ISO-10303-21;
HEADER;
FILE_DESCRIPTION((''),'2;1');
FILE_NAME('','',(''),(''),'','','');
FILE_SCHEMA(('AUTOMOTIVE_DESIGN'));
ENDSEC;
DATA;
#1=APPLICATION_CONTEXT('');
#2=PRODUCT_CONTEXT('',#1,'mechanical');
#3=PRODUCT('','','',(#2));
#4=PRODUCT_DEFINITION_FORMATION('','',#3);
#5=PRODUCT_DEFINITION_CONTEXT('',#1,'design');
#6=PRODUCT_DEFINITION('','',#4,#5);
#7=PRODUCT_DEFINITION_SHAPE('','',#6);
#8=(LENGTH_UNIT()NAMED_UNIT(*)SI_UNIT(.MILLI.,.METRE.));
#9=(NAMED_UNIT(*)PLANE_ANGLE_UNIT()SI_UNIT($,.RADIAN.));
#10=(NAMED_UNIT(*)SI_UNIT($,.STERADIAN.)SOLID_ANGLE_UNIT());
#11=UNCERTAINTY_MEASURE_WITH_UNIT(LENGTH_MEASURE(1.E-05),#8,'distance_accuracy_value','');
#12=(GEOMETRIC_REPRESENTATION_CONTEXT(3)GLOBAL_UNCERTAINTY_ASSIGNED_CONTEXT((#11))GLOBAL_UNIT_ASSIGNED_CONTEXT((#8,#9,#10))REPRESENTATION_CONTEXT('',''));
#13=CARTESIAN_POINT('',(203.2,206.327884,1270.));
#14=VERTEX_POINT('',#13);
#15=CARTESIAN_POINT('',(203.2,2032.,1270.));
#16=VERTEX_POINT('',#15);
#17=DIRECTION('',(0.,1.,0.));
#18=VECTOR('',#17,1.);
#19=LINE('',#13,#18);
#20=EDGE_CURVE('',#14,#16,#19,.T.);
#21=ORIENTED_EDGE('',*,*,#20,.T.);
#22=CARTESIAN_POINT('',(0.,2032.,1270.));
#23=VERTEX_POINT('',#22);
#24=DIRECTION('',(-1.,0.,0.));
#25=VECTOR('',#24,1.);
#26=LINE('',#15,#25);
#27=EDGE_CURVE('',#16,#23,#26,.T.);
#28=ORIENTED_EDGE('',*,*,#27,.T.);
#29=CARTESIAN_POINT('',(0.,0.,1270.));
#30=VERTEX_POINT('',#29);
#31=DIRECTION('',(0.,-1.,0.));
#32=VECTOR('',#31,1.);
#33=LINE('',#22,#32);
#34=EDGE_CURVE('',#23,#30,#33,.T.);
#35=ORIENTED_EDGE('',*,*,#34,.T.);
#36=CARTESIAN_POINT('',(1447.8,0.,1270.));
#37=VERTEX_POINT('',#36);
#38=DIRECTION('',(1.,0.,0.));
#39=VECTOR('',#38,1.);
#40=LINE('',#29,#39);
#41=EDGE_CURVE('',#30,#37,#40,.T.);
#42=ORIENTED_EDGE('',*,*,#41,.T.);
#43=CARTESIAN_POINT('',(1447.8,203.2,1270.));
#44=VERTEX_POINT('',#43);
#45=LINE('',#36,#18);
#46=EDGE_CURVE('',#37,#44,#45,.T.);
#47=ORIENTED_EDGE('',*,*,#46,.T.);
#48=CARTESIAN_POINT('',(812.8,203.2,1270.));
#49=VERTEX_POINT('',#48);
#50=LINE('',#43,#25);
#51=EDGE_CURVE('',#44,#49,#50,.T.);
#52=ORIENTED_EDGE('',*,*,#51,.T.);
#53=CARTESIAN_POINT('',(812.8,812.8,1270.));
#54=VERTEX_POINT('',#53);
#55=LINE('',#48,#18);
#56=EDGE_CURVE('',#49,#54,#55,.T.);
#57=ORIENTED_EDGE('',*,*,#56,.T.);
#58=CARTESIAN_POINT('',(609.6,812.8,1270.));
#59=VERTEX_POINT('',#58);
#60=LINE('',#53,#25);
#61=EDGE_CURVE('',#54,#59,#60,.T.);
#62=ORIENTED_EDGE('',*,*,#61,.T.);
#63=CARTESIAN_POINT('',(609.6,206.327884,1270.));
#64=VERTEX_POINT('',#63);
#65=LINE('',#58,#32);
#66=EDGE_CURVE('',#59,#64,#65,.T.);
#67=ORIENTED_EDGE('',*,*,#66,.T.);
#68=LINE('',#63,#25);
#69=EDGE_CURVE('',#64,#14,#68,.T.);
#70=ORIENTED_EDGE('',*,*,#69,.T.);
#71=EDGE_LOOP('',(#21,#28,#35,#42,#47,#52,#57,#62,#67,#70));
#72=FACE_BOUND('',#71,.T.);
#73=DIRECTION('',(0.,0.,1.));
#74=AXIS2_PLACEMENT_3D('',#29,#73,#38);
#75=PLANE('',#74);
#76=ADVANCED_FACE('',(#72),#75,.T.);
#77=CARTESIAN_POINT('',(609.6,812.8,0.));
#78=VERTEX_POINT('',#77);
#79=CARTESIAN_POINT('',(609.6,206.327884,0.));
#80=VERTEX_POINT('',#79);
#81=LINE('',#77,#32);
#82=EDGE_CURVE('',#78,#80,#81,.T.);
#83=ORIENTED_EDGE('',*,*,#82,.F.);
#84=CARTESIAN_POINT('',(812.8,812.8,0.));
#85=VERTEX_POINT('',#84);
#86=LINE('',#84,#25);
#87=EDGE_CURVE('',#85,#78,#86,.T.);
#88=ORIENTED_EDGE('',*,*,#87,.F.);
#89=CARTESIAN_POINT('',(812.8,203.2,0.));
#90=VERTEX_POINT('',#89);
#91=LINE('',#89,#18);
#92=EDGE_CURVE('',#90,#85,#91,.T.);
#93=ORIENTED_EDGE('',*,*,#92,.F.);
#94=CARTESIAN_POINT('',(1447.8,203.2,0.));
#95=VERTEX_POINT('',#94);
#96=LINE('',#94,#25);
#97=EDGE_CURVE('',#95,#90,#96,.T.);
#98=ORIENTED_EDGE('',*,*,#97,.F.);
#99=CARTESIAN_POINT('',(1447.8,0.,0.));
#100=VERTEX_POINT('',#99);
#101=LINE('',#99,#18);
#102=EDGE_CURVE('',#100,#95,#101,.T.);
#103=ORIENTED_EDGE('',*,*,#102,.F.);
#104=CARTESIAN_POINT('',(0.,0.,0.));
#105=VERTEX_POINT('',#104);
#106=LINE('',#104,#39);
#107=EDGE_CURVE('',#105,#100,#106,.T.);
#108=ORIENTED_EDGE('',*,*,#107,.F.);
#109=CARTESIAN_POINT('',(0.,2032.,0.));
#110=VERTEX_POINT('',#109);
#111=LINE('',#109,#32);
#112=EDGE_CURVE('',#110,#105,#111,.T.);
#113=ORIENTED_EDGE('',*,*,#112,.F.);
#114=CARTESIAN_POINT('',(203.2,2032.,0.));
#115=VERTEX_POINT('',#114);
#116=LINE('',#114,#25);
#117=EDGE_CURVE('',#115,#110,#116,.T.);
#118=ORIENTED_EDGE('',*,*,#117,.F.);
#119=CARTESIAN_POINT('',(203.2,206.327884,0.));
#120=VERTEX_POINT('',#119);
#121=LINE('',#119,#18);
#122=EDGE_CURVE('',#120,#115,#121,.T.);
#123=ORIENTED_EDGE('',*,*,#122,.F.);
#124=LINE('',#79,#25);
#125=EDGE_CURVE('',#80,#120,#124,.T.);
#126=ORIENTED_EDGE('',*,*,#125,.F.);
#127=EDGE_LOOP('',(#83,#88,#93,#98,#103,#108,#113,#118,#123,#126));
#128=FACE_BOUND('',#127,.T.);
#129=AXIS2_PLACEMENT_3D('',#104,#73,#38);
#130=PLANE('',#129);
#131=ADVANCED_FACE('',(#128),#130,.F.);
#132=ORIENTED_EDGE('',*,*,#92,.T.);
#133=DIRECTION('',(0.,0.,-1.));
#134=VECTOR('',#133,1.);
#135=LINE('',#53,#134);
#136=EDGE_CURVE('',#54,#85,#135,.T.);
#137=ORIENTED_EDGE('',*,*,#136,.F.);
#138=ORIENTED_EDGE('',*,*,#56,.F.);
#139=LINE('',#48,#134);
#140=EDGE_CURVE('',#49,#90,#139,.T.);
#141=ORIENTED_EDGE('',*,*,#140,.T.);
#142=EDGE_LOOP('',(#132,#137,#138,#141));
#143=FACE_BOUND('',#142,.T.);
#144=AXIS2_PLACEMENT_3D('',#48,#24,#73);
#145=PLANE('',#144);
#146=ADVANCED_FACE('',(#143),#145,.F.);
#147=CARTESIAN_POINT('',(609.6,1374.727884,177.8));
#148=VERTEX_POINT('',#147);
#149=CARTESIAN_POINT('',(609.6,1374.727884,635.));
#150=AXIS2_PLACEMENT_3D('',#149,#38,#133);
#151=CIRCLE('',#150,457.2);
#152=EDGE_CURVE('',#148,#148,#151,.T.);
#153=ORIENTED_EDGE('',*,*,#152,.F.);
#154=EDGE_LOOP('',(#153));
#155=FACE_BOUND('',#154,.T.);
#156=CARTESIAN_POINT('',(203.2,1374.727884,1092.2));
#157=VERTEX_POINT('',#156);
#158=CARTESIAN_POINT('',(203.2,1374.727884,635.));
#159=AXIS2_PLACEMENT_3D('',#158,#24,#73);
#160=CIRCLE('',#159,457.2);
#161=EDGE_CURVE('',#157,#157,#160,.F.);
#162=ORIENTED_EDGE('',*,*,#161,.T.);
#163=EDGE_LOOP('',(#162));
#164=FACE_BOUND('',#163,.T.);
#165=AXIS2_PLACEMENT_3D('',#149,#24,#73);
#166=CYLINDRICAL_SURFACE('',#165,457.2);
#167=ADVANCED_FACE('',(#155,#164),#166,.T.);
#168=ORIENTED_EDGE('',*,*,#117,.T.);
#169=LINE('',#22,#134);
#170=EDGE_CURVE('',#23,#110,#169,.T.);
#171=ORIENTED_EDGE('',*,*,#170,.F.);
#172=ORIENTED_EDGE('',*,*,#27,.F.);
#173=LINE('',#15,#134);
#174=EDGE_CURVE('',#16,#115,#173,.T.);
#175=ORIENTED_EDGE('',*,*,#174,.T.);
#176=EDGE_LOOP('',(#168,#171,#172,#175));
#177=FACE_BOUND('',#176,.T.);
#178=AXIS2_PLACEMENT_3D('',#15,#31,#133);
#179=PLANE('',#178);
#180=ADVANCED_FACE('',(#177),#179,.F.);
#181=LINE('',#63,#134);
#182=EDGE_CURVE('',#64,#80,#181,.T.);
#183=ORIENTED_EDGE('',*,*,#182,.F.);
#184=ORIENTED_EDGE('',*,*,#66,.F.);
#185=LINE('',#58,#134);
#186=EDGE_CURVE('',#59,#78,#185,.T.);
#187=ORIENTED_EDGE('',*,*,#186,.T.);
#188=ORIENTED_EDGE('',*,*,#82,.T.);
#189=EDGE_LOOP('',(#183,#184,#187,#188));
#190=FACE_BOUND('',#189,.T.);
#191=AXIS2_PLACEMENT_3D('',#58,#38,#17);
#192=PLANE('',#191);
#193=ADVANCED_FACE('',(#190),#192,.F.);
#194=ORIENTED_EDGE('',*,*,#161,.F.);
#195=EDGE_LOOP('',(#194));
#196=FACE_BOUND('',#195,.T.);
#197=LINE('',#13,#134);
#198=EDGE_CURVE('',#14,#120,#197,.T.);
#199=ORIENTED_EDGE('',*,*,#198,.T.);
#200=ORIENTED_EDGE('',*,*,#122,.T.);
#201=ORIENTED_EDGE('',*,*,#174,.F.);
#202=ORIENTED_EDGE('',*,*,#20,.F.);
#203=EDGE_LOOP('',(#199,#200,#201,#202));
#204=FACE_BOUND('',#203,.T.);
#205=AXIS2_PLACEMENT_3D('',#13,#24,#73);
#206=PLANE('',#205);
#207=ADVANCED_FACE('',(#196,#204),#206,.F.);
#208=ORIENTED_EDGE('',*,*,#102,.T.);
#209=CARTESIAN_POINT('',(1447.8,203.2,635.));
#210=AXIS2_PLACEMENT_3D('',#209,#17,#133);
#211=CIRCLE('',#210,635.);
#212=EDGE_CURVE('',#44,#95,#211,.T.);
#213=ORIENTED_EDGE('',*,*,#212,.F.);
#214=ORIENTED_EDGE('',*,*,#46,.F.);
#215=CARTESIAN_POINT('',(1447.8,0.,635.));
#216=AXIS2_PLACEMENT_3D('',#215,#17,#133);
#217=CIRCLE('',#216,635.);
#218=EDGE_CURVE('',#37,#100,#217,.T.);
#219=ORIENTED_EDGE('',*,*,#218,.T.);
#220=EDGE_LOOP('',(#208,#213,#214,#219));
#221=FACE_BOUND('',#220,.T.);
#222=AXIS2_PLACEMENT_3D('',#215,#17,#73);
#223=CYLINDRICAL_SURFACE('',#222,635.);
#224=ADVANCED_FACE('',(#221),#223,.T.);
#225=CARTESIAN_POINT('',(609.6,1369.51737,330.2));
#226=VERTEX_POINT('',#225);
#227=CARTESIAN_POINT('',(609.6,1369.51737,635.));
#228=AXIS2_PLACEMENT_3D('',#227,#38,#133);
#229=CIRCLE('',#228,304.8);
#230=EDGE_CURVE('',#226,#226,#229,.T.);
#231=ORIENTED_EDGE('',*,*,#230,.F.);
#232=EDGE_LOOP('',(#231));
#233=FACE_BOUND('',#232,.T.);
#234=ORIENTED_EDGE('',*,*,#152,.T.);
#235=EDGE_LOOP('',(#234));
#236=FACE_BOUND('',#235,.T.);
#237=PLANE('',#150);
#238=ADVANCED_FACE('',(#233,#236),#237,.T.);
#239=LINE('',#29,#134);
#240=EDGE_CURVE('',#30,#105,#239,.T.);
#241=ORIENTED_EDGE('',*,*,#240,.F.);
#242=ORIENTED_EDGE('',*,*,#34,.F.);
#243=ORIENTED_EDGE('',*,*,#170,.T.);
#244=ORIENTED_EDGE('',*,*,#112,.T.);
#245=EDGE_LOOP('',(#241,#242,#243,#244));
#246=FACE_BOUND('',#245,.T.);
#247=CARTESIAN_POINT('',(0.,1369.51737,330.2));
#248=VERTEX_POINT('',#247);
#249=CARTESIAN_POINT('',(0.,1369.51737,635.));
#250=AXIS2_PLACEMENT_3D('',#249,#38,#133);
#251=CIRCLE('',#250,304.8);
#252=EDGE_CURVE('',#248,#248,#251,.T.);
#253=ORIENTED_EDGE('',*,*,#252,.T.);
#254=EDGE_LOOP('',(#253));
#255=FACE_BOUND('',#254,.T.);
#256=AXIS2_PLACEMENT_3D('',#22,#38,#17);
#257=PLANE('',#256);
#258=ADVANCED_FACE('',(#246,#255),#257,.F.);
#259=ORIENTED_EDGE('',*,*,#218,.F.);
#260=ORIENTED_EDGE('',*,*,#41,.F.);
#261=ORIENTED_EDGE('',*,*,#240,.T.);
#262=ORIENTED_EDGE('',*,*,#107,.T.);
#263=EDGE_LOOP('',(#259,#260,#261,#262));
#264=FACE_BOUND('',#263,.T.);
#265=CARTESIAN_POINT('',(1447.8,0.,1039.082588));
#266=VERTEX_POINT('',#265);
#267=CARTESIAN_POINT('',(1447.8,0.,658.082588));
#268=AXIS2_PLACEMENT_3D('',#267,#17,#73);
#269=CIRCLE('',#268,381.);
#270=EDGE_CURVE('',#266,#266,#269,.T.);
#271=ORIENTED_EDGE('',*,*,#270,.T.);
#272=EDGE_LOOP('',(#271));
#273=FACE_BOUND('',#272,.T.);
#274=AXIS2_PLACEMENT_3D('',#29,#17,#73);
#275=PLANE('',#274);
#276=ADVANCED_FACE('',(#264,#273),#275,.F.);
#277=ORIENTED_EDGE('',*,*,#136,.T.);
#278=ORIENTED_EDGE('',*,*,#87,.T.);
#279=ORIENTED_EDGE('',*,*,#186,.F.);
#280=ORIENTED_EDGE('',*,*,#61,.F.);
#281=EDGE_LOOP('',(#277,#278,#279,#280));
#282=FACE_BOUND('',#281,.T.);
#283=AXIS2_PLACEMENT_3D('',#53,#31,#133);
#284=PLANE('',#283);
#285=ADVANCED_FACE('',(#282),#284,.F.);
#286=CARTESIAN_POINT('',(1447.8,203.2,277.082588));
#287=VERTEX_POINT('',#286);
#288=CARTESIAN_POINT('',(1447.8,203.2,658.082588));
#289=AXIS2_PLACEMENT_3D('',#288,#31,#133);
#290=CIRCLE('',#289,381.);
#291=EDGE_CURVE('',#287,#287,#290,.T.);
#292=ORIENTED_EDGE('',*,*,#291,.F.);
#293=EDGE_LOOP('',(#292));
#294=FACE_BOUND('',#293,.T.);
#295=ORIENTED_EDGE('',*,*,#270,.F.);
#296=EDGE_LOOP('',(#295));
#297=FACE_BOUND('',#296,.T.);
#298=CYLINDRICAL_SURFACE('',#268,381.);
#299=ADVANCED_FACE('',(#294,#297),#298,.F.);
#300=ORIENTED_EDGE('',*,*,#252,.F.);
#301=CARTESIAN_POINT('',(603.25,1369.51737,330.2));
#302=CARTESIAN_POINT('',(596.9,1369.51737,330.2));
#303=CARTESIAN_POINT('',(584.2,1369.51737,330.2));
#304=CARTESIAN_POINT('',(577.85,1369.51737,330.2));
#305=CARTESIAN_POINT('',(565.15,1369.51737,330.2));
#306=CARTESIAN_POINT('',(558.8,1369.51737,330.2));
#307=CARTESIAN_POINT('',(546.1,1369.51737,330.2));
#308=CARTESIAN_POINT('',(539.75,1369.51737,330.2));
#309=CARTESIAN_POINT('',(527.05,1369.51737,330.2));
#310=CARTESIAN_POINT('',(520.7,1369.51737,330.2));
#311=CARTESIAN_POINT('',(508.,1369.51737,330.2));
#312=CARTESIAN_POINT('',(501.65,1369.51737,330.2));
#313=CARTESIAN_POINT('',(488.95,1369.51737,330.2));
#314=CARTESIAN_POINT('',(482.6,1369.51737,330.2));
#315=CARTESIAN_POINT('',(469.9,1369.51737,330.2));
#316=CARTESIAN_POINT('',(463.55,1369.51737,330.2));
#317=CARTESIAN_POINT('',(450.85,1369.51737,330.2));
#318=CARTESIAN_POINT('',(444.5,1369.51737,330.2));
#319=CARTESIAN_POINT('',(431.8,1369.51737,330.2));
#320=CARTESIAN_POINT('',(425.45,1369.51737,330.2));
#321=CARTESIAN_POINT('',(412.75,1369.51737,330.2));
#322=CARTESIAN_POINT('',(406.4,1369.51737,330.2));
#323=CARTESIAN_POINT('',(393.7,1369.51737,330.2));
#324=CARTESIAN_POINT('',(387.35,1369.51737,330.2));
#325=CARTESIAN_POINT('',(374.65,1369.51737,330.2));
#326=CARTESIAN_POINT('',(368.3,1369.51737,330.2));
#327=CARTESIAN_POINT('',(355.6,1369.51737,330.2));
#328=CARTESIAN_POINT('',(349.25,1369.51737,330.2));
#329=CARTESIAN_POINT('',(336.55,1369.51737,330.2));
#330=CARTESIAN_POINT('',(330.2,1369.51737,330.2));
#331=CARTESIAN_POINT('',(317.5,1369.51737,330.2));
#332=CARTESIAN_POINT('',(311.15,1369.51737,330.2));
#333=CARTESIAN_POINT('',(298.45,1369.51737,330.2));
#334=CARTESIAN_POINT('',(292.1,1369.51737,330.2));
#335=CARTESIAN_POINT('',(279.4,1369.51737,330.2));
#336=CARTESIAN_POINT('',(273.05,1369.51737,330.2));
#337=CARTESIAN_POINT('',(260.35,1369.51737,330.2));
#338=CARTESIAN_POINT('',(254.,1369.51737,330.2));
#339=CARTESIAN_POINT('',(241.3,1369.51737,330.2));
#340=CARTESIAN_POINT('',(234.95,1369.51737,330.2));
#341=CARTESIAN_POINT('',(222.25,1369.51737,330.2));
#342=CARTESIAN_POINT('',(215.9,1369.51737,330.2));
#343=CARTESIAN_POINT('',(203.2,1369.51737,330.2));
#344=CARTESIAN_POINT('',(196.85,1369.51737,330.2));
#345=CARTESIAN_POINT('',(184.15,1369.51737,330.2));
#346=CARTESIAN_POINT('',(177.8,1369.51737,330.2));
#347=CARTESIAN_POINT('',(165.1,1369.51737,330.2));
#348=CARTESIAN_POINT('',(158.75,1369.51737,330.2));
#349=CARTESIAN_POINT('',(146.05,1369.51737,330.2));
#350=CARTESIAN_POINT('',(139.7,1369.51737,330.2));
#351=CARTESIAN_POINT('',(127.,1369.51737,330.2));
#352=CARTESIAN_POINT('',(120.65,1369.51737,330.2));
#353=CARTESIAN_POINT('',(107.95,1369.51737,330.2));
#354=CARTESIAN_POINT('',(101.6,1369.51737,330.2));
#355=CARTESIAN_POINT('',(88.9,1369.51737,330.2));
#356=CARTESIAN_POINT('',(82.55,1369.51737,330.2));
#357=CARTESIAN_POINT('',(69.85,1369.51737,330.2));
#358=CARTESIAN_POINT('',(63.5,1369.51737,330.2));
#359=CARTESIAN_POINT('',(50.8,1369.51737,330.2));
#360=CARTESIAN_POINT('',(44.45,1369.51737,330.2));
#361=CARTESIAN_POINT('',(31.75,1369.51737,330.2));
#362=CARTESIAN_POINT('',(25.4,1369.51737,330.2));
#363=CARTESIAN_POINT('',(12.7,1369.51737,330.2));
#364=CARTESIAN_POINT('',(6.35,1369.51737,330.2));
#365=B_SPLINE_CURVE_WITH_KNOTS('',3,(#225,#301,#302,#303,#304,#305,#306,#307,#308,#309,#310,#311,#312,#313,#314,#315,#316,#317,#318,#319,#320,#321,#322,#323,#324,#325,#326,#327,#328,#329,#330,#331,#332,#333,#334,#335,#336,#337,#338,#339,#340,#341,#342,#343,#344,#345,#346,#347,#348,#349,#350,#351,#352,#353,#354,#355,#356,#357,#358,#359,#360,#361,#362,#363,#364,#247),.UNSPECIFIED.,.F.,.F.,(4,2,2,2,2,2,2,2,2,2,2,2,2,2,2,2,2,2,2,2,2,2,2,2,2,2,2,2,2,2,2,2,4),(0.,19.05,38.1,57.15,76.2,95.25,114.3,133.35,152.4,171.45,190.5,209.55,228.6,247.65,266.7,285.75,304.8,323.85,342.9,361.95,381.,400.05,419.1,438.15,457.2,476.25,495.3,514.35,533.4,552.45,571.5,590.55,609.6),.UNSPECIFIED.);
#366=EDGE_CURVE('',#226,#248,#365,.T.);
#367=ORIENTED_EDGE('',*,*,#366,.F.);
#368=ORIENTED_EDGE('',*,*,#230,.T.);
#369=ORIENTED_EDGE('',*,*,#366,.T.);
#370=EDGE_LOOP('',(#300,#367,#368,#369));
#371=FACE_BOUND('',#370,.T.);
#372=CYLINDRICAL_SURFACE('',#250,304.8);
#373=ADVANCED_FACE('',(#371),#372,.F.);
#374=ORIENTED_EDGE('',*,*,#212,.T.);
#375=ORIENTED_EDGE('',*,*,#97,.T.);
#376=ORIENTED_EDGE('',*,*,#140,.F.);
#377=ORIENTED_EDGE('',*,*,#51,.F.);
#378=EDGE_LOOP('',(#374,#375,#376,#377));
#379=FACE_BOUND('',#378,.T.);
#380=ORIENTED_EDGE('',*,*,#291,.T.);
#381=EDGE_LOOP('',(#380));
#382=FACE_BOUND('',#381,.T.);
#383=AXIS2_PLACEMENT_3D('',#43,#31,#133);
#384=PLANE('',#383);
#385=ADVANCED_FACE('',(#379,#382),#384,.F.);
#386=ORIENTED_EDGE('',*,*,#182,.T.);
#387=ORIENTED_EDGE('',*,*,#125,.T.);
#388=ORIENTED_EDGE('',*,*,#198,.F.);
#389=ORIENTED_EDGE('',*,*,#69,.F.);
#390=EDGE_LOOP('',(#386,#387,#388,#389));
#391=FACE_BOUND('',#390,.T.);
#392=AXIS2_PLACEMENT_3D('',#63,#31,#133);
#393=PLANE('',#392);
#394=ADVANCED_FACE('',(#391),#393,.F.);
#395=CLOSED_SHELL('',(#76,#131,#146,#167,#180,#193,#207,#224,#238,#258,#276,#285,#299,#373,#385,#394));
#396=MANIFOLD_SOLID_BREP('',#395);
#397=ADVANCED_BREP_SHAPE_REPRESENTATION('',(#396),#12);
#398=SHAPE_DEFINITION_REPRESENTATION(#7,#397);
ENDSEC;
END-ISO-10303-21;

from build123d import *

# Parameters (mm, degrees)
Y_KSEKLIK_EKSTR_ZYON1_DEPTH = 1270
Y_KSEKLIK_EKSTR_ZYON2_DEPTH = 203.2
KES_EKSTR_ZYON1_DEPTH       = 3049.846549107
KES_EKSTR_ZYON1_DEPTH_BACK  = 3049.846549107
IZIM3_R                     = 381
IZIM4_R                     = 457.2
Y_KSEKLIK_EKSTR_ZYON3_DEPTH = 406.4
KES_EKSTR_ZYON2_DEPTH       = 2813.870818221
KES_EKSTR_ZYON2_DEPTH_BACK  = 2813.870818221
IZIM5_R                     = 304.8


with BuildPart() as part:
    # Çizim1 → Yükseklik-Ekstrüzyon1 (new body)
    with BuildSketch(Plane.XY):
        Polygon((0, 2032), (0, 0), (1447.8, 0), (1447.8, 203.2), (812.8, 203.2), (812.8, 812.8), (609.6, 812.8), (609.6, 206.327883969), (203.2, 206.327883969), (203.2, 2032), align=None)
    extrude(amount=Y_KSEKLIK_EKSTR_ZYON1_DEPTH)

    # Çizim2 → Yükseklik-Ekstrüzyon2 (add)
    with BuildSketch(Plane(origin=(0, 203.2, 0), x_dir=(1, 0, 0), z_dir=(0, 1, 0))):
        with BuildLine():
            Line((1447.8, -1270), (1447.8, 0))
            ThreePointArc((1447.8, 0), (2082.8, -635), (1447.8, -1270))
        make_face()
    extrude(amount=-Y_KSEKLIK_EKSTR_ZYON2_DEPTH)

    # Çizim3 → Kes-Ekstrüzyon1 (cut, two sides: drawn at the far end of the back side and taken through both)
    with BuildSketch(Plane(origin=(0, 203.2, 0), x_dir=(1, 0, 0), z_dir=(0, 1, 0)).offset(-KES_EKSTR_ZYON1_DEPTH_BACK)):
        with Locations(Location((1447.8, -658.082587812, 0), (0, 0, 270))):
            Circle(IZIM3_R)
    extrude(amount=KES_EKSTR_ZYON1_DEPTH + KES_EKSTR_ZYON1_DEPTH_BACK, mode=Mode.SUBTRACT)

    # Çizim4 → Yükseklik-Ekstrüzyon3 (add)
    with BuildSketch(Plane(origin=(203.2, 0, 0), x_dir=(0, 0, -1), z_dir=(1, 0, 0))):
        with Locations(Location((-635, 1374.727883969, 0), (0, 0, 180))):
            Circle(IZIM4_R)
    extrude(amount=Y_KSEKLIK_EKSTR_ZYON3_DEPTH)

    # Çizim5 → Kes-Ekstrüzyon2 (cut, two sides: drawn at the far end of the back side and taken through both)
    with BuildSketch(Plane(origin=(609.6, 0, 0), x_dir=(0, 0, -1), z_dir=(1, 0, 0)).offset(-KES_EKSTR_ZYON2_DEPTH_BACK)):
        with Locations((-635, 1369.517370068)):
            Circle(IZIM5_R)
    extrude(amount=KES_EKSTR_ZYON2_DEPTH + KES_EKSTR_ZYON2_DEPTH_BACK, mode=Mode.SUBTRACT)


solid = part.part
